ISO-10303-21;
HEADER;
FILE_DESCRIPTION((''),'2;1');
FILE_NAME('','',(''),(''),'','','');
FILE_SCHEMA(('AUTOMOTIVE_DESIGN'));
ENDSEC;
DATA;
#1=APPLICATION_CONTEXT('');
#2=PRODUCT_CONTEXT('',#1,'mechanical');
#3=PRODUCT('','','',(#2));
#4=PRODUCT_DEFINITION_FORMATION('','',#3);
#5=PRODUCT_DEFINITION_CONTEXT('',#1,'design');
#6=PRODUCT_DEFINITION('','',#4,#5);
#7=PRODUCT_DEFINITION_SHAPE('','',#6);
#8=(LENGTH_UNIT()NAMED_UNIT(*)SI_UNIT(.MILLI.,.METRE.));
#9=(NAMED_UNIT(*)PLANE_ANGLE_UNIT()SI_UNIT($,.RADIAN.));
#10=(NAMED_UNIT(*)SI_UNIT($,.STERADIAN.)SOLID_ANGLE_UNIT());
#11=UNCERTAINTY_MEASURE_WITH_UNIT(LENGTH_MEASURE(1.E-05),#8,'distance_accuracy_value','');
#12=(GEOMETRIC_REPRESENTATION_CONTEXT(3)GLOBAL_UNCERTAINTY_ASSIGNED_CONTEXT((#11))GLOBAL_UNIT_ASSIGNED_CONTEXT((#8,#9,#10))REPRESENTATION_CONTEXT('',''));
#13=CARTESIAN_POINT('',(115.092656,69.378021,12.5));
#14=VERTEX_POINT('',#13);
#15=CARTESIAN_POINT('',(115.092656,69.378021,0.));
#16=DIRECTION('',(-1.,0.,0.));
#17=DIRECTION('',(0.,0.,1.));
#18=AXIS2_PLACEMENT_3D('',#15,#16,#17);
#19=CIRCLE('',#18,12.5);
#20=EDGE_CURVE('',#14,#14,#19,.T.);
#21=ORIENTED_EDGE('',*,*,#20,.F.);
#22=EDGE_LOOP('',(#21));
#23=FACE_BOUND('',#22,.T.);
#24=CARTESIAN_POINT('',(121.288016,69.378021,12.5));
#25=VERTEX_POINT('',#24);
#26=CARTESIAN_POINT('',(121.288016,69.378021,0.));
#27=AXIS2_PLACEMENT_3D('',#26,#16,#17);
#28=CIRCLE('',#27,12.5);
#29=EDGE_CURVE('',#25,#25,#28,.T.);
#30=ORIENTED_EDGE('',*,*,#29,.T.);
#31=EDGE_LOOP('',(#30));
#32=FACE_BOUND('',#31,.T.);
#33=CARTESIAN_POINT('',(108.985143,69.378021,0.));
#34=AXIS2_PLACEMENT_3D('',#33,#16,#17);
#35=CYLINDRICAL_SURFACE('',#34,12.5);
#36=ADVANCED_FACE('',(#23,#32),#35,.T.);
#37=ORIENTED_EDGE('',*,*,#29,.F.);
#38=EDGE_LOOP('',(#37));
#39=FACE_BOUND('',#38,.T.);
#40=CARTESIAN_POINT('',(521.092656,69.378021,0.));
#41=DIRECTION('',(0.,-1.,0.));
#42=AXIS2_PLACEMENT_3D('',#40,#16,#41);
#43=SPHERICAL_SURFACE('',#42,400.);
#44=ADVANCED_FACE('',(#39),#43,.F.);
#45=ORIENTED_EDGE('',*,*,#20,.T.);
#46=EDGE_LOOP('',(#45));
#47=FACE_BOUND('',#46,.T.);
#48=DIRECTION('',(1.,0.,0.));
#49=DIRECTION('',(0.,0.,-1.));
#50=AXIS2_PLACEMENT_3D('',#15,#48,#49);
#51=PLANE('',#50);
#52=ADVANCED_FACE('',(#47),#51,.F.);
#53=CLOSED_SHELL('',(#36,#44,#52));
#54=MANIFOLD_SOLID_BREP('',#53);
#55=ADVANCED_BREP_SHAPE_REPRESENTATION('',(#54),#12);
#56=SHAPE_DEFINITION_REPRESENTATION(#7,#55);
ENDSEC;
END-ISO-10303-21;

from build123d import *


with BuildPart() as part:
    # 草图1 → 旋转1 (revolve)
    with BuildSketch(Plane.XY, mode=Mode.PRIVATE) as revolve_1_sk:
        with BuildLine():
            Line((115.092655535, 69.378021123), (115.092655535, 81.878021123))
            Line((115.092655535, 81.878021123), (121.288015747, 81.878021123))
            ThreePointArc((121.288015747, 81.878021123), (121.141498574, 75.628784389), (121.09265554, 69.378021123))
            Line((121.09265554, 69.378021123), (115.092655535, 69.378021123))
        make_face()
    revolve(revolve_1_sk.sketch.rotate(Axis((108.985143002, 69.378021123, 0), (1, 0, 0)), 180), axis=Axis((108.985143002, 69.378021123, 0), (1, 0, 0)))  # turned: the seam where the file's is


solid = part.part
